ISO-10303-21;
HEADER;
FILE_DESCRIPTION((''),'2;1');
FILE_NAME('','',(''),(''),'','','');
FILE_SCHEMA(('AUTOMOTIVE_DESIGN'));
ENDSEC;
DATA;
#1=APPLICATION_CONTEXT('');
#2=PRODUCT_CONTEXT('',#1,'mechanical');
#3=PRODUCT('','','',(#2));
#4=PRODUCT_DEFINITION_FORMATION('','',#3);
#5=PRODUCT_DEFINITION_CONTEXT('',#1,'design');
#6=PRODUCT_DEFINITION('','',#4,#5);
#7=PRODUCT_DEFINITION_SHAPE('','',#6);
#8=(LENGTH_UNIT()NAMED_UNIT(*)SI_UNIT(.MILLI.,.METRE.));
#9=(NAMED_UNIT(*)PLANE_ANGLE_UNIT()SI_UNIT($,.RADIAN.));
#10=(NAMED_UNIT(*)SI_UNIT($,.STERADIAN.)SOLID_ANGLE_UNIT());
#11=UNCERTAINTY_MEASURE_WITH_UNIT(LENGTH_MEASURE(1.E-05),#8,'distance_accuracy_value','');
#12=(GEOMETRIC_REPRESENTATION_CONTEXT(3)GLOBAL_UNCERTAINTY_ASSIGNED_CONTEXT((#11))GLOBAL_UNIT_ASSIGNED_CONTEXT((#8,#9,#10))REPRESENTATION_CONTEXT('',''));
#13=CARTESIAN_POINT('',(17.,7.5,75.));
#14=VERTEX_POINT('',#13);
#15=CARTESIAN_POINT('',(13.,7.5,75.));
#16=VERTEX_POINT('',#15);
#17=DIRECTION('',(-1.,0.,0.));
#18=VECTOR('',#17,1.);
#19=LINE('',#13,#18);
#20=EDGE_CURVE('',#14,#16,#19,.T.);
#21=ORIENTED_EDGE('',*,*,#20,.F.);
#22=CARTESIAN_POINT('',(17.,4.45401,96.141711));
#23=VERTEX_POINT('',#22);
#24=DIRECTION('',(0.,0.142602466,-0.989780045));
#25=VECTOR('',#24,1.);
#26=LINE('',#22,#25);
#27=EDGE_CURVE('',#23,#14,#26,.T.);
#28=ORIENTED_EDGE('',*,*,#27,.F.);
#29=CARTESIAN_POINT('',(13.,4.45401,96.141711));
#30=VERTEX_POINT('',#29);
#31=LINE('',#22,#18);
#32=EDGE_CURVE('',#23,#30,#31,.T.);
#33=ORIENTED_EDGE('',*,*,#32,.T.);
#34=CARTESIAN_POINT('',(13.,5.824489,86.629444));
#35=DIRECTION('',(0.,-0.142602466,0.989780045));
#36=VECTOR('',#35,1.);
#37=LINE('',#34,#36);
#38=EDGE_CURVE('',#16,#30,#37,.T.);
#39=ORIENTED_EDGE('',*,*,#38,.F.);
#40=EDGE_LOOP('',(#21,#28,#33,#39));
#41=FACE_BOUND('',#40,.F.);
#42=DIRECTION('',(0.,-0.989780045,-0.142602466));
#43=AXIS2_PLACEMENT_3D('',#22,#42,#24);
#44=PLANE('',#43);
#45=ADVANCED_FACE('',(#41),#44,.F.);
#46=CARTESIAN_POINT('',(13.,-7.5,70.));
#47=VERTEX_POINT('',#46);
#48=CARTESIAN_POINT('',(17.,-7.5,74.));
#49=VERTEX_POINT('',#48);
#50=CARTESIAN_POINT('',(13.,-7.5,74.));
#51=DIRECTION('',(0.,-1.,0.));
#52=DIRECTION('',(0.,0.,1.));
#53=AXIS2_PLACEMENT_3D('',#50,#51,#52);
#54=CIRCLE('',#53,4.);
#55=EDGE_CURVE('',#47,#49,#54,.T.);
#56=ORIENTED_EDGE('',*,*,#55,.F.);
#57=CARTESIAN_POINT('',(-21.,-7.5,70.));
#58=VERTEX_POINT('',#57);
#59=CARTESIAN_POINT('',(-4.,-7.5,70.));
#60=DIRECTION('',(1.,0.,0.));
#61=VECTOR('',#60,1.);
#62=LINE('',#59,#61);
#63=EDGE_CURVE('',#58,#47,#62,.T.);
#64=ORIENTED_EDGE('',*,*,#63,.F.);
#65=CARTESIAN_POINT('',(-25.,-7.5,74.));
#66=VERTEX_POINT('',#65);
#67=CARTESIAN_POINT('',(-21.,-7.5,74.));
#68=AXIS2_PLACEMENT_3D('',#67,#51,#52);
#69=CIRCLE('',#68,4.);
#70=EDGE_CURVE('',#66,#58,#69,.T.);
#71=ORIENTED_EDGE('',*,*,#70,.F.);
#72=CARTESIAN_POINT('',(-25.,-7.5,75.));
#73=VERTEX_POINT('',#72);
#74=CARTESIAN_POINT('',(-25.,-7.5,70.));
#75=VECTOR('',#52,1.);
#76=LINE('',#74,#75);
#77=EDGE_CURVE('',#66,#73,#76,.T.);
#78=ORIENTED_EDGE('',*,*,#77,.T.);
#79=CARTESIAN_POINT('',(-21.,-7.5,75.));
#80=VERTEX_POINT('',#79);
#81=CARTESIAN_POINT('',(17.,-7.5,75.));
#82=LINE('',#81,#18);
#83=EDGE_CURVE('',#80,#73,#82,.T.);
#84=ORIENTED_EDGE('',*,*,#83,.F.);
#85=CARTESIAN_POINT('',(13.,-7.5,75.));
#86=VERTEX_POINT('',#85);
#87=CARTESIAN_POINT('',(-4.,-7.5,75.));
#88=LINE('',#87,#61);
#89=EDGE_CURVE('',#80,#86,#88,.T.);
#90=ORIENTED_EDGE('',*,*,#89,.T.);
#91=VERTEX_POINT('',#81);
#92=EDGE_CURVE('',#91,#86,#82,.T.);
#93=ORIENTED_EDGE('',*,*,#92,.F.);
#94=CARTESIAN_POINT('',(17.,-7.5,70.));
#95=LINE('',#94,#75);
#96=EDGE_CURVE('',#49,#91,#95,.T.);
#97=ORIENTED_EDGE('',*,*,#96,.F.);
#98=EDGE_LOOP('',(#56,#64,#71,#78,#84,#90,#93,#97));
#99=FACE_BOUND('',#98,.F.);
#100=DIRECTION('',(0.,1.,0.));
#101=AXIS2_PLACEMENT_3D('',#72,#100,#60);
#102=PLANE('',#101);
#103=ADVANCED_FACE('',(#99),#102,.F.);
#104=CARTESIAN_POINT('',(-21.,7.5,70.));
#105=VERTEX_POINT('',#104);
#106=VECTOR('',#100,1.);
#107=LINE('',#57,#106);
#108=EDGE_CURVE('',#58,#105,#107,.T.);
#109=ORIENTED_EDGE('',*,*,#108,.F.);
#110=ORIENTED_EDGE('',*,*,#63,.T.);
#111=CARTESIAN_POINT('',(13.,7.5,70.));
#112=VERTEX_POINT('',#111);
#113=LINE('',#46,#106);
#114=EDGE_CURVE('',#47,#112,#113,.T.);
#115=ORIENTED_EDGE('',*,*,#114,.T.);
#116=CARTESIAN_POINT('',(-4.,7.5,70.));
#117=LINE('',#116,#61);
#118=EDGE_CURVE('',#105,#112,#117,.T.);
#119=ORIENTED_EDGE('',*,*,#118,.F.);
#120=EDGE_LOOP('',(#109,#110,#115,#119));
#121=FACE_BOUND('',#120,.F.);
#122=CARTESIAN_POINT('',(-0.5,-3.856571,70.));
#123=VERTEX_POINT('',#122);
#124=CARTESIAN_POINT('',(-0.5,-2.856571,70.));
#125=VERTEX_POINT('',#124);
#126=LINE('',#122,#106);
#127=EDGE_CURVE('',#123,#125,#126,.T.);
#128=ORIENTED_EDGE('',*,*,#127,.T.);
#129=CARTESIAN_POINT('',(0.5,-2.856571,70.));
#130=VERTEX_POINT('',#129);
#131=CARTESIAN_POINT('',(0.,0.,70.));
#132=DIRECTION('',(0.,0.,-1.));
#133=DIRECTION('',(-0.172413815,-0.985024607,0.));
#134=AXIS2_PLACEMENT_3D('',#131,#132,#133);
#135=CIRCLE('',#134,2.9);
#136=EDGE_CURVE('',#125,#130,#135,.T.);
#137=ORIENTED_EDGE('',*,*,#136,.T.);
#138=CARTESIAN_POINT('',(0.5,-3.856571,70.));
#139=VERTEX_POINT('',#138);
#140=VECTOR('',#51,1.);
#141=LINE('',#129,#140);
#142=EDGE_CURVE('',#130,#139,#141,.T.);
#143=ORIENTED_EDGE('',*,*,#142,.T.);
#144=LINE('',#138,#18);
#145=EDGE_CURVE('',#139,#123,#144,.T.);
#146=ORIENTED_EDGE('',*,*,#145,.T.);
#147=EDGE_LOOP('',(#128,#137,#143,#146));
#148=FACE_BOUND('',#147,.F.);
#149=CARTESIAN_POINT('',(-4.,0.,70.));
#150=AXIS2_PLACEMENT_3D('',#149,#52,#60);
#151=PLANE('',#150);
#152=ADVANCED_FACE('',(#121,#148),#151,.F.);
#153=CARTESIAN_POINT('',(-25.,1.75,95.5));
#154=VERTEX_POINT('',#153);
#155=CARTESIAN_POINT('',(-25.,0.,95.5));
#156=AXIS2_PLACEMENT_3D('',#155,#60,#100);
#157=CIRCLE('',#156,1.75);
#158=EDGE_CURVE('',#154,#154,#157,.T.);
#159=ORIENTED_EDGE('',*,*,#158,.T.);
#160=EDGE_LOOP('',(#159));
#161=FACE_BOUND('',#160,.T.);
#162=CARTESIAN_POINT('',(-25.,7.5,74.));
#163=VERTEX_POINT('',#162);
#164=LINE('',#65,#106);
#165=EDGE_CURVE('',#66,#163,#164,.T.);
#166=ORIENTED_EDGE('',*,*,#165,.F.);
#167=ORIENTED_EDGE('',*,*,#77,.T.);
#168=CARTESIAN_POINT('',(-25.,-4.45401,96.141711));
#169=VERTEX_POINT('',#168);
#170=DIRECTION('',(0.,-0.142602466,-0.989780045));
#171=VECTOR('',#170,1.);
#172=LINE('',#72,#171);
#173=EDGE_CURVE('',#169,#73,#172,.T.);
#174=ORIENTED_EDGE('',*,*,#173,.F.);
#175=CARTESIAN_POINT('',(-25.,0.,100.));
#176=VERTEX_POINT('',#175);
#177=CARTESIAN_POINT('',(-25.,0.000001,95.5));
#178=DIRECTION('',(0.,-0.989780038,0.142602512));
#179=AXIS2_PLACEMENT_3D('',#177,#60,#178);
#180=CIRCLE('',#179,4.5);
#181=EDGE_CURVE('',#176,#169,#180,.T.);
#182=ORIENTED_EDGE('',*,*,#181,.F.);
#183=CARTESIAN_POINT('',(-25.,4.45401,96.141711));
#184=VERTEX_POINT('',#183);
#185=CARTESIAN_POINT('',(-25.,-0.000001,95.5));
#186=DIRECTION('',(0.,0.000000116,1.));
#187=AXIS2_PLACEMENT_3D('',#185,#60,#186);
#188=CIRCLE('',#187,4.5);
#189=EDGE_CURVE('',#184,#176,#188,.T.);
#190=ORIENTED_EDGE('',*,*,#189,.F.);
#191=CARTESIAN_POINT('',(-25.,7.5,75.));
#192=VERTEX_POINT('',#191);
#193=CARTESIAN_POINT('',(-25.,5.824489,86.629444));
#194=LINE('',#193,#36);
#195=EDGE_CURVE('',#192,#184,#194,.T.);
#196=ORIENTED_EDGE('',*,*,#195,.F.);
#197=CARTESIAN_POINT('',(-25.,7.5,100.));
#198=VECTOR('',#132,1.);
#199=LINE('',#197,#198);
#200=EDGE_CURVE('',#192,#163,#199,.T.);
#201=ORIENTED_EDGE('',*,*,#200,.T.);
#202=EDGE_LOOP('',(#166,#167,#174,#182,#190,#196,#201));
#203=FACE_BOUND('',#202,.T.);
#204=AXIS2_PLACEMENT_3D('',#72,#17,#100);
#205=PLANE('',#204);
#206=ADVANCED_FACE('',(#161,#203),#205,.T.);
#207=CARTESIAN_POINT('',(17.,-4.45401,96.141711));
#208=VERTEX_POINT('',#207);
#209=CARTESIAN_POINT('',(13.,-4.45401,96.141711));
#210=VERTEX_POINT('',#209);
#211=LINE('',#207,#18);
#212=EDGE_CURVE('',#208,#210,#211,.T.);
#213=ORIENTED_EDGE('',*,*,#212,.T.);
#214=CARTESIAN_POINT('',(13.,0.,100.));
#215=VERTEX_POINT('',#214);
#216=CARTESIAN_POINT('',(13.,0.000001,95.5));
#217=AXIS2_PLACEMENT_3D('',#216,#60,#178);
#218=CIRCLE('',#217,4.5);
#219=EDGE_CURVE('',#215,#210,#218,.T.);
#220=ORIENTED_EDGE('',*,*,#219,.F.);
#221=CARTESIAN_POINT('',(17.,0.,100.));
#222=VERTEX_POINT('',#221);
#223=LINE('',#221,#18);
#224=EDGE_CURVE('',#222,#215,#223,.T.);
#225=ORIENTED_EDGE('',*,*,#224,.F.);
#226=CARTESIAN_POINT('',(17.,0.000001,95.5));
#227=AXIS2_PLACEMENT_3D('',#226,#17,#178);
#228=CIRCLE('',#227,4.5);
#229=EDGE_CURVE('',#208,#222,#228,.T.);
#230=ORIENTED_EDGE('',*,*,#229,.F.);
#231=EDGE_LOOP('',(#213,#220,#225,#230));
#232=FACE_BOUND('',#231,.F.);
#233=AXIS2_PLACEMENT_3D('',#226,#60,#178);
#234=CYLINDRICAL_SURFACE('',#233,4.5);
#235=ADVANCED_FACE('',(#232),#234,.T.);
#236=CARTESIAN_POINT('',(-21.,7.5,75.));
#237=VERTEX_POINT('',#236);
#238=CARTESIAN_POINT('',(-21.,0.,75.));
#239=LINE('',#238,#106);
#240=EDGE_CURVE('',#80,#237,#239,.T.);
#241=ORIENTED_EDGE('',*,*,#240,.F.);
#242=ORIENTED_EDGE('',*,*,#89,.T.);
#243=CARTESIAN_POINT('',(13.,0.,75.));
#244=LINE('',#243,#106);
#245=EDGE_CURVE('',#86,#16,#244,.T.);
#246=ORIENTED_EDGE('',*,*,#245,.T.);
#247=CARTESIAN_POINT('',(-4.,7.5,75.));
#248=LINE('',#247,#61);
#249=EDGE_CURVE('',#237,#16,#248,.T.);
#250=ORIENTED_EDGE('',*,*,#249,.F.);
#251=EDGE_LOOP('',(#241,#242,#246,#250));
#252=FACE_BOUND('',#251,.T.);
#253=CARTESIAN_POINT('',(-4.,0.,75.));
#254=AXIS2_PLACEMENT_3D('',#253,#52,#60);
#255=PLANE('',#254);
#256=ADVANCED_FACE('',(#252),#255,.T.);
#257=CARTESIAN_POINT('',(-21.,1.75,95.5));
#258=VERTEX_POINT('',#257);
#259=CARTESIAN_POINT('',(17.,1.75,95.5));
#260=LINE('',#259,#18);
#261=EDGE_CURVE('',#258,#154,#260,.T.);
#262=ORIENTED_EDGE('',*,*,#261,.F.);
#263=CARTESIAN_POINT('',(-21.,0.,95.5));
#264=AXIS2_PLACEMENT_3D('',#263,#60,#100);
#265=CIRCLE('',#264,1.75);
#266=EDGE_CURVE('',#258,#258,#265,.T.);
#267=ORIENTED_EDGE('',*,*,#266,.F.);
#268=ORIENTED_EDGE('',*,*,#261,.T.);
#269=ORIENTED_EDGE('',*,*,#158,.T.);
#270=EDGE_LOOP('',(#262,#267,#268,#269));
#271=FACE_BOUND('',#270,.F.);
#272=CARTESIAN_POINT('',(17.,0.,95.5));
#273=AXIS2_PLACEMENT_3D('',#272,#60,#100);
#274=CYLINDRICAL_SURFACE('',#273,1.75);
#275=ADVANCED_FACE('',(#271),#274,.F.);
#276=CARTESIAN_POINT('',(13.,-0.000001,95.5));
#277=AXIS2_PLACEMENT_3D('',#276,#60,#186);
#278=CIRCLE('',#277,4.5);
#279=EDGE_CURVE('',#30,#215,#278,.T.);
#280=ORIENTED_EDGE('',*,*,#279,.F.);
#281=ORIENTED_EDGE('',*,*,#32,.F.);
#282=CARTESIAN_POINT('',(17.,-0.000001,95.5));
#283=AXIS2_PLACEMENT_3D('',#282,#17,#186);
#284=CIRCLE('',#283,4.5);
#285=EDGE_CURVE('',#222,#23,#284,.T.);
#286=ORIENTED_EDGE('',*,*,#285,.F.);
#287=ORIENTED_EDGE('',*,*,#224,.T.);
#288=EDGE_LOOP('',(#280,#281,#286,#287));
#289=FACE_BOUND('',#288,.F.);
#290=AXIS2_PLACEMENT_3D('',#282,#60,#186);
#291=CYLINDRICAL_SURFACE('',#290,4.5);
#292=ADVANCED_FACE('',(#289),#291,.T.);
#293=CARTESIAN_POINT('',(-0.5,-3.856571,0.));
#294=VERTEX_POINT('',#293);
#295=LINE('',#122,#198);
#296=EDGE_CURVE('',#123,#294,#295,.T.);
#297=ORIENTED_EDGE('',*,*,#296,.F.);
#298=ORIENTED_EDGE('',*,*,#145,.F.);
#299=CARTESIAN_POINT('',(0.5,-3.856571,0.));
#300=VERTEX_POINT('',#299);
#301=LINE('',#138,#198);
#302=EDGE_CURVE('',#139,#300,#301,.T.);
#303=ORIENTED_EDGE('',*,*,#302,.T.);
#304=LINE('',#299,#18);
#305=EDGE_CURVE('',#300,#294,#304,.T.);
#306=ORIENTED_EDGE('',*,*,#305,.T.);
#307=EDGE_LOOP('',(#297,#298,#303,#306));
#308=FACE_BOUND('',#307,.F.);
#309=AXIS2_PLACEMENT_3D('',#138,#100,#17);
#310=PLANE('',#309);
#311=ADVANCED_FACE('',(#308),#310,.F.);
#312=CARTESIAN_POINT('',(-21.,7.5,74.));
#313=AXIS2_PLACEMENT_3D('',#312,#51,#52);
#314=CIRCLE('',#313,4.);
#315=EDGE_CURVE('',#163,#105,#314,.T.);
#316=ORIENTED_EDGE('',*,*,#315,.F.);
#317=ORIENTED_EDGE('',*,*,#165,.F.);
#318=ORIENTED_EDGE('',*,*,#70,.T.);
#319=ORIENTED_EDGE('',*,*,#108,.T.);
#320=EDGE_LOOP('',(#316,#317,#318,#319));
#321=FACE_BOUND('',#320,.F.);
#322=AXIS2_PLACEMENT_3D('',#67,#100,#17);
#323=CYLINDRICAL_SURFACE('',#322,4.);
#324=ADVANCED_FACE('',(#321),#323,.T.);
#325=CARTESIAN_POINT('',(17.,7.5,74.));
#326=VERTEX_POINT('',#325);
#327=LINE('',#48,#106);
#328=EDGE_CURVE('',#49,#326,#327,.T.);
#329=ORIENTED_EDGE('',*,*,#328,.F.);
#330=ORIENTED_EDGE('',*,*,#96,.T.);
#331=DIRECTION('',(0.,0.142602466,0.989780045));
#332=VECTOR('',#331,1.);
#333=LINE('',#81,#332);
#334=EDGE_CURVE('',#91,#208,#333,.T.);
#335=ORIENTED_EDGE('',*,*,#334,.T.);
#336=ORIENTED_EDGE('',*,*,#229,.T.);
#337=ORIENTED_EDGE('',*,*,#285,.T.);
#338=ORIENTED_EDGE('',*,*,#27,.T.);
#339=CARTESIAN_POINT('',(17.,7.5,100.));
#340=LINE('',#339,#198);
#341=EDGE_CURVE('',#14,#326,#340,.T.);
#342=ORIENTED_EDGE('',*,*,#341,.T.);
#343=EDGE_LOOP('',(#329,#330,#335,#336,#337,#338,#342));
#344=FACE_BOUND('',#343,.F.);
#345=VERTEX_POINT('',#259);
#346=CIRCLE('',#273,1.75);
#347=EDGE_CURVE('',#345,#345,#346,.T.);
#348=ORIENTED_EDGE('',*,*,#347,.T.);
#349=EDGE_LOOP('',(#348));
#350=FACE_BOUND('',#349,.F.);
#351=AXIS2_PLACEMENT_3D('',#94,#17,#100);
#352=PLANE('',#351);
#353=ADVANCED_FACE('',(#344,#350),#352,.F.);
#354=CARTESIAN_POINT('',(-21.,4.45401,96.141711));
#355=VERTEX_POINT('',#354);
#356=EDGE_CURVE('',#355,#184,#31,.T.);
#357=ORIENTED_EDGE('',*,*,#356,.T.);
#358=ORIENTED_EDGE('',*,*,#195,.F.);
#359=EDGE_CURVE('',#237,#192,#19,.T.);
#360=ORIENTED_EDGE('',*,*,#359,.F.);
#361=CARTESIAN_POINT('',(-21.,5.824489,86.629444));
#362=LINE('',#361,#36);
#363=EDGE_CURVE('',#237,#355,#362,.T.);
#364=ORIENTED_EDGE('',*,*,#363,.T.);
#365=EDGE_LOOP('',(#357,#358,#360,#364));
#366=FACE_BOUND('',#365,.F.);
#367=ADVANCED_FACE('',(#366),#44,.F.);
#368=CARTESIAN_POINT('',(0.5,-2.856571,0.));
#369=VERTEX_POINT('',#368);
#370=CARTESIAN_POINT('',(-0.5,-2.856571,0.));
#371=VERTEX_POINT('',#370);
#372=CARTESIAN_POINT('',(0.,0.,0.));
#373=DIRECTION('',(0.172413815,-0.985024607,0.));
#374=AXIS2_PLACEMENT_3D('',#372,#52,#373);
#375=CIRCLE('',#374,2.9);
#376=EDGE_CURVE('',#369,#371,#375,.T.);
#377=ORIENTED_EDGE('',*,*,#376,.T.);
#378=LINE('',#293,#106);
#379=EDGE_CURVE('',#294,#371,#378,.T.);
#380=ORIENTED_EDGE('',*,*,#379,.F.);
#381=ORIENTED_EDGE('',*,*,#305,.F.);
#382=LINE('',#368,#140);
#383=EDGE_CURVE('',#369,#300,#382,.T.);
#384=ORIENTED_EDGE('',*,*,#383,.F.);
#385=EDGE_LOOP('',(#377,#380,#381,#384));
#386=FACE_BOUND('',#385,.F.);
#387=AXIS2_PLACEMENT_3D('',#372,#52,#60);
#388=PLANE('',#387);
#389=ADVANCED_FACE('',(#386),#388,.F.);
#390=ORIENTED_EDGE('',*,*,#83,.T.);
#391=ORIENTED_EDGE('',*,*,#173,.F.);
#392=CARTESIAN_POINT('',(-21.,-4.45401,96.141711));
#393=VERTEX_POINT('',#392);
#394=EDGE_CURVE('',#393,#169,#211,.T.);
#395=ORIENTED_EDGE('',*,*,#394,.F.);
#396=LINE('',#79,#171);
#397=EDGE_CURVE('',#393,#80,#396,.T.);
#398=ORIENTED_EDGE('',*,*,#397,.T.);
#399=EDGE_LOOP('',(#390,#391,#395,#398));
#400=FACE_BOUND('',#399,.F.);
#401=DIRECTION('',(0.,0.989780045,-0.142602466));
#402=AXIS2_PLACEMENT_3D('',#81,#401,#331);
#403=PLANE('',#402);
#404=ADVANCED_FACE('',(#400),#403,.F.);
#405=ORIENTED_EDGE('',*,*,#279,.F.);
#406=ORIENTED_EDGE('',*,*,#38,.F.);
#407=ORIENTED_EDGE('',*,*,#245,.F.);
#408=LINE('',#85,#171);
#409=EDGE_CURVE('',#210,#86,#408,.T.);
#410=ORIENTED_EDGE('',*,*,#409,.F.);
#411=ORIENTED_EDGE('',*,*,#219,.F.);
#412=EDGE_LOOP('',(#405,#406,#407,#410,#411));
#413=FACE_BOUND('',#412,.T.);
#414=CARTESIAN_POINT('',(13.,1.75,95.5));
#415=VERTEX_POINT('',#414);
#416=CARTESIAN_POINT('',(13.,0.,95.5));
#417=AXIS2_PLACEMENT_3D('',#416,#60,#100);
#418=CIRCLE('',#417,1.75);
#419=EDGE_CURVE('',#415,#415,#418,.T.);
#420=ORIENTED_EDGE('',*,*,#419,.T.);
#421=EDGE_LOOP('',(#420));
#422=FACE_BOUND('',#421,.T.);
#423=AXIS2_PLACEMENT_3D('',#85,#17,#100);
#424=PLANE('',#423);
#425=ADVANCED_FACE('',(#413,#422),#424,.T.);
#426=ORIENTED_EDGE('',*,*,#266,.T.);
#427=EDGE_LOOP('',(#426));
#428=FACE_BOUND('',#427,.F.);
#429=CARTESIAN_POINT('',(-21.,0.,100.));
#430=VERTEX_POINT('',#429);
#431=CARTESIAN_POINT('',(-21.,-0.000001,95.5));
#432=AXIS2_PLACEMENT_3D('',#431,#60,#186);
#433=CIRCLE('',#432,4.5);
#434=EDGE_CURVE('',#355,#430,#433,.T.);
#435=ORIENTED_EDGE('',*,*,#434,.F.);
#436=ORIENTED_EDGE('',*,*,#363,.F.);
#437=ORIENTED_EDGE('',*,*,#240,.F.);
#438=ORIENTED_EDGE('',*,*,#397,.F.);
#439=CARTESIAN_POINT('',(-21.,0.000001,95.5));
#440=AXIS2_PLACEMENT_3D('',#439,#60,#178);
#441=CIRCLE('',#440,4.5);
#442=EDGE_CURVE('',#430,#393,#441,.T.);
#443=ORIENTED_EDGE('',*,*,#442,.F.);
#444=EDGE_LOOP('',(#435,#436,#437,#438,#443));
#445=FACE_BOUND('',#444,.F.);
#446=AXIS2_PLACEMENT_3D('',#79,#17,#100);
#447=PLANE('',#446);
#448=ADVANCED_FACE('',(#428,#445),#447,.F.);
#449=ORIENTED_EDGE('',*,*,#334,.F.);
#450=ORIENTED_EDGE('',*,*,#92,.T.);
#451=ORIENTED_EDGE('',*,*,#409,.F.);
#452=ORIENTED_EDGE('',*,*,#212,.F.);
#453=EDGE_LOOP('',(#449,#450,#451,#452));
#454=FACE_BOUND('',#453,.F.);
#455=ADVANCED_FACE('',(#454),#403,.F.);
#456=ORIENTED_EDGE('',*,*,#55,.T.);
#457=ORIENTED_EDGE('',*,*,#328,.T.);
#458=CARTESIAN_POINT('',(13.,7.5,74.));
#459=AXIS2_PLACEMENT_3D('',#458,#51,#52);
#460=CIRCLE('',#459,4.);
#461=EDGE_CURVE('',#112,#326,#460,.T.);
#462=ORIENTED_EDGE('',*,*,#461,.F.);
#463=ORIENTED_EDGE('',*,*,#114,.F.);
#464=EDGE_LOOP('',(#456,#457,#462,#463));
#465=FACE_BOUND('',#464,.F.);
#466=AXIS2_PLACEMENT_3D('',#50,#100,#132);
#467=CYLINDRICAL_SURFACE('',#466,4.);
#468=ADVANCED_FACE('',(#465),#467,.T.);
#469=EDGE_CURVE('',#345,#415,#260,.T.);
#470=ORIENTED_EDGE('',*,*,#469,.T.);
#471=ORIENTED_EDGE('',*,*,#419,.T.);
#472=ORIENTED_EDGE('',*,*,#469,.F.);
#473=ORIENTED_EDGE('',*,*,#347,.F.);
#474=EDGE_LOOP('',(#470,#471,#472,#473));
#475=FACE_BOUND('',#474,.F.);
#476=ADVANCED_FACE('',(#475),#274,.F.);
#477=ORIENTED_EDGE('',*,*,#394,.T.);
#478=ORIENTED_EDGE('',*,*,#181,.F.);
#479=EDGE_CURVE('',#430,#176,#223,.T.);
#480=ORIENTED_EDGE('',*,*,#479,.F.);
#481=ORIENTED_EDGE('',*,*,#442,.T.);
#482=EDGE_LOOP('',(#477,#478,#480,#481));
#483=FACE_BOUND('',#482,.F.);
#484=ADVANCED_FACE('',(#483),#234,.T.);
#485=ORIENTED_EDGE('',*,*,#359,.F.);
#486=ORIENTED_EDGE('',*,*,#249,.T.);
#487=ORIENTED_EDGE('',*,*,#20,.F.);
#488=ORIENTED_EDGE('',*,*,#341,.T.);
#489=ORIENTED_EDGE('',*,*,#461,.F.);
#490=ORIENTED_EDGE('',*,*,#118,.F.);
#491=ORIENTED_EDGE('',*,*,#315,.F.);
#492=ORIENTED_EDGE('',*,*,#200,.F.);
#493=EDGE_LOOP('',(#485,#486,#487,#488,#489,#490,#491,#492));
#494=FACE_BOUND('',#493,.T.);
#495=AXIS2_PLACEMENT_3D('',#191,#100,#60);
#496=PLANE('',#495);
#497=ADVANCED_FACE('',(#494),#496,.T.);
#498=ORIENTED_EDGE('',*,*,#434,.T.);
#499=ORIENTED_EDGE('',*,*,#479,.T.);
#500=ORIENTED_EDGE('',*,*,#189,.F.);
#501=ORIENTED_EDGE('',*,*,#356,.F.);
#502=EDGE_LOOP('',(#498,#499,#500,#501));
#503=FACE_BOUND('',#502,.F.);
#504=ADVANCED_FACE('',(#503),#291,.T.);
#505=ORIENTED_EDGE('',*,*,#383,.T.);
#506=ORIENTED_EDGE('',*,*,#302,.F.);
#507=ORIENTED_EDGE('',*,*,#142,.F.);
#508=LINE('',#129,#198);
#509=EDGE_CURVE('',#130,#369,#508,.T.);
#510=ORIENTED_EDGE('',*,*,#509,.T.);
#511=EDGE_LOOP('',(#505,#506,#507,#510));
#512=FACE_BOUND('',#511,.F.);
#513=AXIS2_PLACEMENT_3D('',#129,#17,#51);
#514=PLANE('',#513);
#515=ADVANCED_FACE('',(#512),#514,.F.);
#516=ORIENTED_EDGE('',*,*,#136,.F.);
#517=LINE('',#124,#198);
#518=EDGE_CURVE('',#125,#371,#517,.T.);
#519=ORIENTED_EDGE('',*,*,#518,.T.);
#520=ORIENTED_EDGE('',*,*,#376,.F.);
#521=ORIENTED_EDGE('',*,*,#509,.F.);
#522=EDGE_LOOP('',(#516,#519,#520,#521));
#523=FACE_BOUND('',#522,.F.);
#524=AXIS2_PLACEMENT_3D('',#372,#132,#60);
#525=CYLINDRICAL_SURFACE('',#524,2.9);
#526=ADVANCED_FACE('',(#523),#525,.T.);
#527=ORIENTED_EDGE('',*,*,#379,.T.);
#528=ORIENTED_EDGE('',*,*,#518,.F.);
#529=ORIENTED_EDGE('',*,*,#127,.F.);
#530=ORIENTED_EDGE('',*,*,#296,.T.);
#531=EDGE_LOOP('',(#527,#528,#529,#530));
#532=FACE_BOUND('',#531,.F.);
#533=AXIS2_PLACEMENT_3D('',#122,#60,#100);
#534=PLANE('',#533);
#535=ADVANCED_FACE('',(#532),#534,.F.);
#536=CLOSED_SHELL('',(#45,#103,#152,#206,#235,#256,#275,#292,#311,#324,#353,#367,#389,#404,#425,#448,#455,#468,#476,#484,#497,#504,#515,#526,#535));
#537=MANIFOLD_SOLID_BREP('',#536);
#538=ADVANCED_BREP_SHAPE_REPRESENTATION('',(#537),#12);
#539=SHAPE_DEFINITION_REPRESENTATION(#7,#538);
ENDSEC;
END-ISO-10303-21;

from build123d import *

# Parameters (mm, degrees)
F0_R      = 2.9
F1_DEPTH  = 70
F2_W      = 42
F2_H      = 15
F3_DEPTH  = 5
F4_W      = 4
F4_H      = 15
F5_DEPTH  = 25
F6_R      = 1.75
F7_DEPTH  = 50
F8_R      = 4
F10_DEPTH = 70


with BuildPart() as f1:
    # F0 (on Top) → F1 (new body)
    with BuildSketch(Plane.XY):
        Circle(F0_R)
    extrude(amount=F1_DEPTH)

    # F2 (on face) → F3 (join)
    with BuildSketch(Plane.XY.offset(70)):
        with Locations((-4, 0)):
            Rectangle(F2_W, F2_H)
    extrude(amount=F3_DEPTH)

    # F4 (on face) → F5 (join)
    with BuildSketch(Plane.XY.offset(75)):
        with Locations((-23, 0)):
            Rectangle(F4_W, F4_H)
        with Locations((15, 0)):
            Rectangle(F4_W, F4_H)
    extrude(amount=F5_DEPTH)

    # F6 (on face) → F7 (cut)
    with BuildSketch(Plane.YZ.offset(17)):
        with BuildLine():
            Line((-7.5, 75), (-4.45401, 96.141711))
            ThreePointArc((-4.45401, 96.141711), (-2.946379, 98.901301), (0, 100))
            Line((0, 100), (-7.5, 100))
            Line((-7.5, 100), (-7.5, 75))
        make_face()
        with Locations((0, 95.5)):
            Circle(F6_R)
        with BuildLine():
            Line((7.5, 100), (0, 100))
            ThreePointArc((0, 100), (2.946379, 98.901301), (4.45401, 96.141711))
            Line((4.45401, 96.141711), (7.5, 75))
            Line((7.5, 75), (7.5, 100))
        make_face()
    extrude(amount=-F7_DEPTH, mode=Mode.SUBTRACT)

    # F8
    f8_edges = [f1.edges().sort_by_distance(p)[0] for p in [
        (-25, 0, 70),
        (17, 0, 70),
    ]]
    fillet(f8_edges, radius=F8_R)

    # F9 (on face) → F10 (join)
    with BuildSketch(Plane(origin=(0, 0, 70), x_dir=(1, 0, 0), z_dir=(0, 0, -1))):
        with BuildLine():
            ThreePointArc((-0.5, 2.856571), (-1.865476, -2.22036), (2.9, 0))
            ThreePointArc((2.9, 0), (2.22036, 1.865476), (0.5, 2.856571))
            ThreePointArc((0.5, 2.856571), (0, 2.9), (-0.5, 2.856571))
        make_face()
        with BuildLine():
            ThreePointArc((-0.5, 2.856571), (0, 2.9), (0.5, 2.856571))
            Line((0.5, 2.856571), (0.5, 3.856571))
            Line((0.5, 3.856571), (-0.5, 3.856571))
            Line((-0.5, 3.856571), (-0.5, 2.856571))
        make_face()
    extrude(amount=F10_DEPTH)


solid = f1.part
